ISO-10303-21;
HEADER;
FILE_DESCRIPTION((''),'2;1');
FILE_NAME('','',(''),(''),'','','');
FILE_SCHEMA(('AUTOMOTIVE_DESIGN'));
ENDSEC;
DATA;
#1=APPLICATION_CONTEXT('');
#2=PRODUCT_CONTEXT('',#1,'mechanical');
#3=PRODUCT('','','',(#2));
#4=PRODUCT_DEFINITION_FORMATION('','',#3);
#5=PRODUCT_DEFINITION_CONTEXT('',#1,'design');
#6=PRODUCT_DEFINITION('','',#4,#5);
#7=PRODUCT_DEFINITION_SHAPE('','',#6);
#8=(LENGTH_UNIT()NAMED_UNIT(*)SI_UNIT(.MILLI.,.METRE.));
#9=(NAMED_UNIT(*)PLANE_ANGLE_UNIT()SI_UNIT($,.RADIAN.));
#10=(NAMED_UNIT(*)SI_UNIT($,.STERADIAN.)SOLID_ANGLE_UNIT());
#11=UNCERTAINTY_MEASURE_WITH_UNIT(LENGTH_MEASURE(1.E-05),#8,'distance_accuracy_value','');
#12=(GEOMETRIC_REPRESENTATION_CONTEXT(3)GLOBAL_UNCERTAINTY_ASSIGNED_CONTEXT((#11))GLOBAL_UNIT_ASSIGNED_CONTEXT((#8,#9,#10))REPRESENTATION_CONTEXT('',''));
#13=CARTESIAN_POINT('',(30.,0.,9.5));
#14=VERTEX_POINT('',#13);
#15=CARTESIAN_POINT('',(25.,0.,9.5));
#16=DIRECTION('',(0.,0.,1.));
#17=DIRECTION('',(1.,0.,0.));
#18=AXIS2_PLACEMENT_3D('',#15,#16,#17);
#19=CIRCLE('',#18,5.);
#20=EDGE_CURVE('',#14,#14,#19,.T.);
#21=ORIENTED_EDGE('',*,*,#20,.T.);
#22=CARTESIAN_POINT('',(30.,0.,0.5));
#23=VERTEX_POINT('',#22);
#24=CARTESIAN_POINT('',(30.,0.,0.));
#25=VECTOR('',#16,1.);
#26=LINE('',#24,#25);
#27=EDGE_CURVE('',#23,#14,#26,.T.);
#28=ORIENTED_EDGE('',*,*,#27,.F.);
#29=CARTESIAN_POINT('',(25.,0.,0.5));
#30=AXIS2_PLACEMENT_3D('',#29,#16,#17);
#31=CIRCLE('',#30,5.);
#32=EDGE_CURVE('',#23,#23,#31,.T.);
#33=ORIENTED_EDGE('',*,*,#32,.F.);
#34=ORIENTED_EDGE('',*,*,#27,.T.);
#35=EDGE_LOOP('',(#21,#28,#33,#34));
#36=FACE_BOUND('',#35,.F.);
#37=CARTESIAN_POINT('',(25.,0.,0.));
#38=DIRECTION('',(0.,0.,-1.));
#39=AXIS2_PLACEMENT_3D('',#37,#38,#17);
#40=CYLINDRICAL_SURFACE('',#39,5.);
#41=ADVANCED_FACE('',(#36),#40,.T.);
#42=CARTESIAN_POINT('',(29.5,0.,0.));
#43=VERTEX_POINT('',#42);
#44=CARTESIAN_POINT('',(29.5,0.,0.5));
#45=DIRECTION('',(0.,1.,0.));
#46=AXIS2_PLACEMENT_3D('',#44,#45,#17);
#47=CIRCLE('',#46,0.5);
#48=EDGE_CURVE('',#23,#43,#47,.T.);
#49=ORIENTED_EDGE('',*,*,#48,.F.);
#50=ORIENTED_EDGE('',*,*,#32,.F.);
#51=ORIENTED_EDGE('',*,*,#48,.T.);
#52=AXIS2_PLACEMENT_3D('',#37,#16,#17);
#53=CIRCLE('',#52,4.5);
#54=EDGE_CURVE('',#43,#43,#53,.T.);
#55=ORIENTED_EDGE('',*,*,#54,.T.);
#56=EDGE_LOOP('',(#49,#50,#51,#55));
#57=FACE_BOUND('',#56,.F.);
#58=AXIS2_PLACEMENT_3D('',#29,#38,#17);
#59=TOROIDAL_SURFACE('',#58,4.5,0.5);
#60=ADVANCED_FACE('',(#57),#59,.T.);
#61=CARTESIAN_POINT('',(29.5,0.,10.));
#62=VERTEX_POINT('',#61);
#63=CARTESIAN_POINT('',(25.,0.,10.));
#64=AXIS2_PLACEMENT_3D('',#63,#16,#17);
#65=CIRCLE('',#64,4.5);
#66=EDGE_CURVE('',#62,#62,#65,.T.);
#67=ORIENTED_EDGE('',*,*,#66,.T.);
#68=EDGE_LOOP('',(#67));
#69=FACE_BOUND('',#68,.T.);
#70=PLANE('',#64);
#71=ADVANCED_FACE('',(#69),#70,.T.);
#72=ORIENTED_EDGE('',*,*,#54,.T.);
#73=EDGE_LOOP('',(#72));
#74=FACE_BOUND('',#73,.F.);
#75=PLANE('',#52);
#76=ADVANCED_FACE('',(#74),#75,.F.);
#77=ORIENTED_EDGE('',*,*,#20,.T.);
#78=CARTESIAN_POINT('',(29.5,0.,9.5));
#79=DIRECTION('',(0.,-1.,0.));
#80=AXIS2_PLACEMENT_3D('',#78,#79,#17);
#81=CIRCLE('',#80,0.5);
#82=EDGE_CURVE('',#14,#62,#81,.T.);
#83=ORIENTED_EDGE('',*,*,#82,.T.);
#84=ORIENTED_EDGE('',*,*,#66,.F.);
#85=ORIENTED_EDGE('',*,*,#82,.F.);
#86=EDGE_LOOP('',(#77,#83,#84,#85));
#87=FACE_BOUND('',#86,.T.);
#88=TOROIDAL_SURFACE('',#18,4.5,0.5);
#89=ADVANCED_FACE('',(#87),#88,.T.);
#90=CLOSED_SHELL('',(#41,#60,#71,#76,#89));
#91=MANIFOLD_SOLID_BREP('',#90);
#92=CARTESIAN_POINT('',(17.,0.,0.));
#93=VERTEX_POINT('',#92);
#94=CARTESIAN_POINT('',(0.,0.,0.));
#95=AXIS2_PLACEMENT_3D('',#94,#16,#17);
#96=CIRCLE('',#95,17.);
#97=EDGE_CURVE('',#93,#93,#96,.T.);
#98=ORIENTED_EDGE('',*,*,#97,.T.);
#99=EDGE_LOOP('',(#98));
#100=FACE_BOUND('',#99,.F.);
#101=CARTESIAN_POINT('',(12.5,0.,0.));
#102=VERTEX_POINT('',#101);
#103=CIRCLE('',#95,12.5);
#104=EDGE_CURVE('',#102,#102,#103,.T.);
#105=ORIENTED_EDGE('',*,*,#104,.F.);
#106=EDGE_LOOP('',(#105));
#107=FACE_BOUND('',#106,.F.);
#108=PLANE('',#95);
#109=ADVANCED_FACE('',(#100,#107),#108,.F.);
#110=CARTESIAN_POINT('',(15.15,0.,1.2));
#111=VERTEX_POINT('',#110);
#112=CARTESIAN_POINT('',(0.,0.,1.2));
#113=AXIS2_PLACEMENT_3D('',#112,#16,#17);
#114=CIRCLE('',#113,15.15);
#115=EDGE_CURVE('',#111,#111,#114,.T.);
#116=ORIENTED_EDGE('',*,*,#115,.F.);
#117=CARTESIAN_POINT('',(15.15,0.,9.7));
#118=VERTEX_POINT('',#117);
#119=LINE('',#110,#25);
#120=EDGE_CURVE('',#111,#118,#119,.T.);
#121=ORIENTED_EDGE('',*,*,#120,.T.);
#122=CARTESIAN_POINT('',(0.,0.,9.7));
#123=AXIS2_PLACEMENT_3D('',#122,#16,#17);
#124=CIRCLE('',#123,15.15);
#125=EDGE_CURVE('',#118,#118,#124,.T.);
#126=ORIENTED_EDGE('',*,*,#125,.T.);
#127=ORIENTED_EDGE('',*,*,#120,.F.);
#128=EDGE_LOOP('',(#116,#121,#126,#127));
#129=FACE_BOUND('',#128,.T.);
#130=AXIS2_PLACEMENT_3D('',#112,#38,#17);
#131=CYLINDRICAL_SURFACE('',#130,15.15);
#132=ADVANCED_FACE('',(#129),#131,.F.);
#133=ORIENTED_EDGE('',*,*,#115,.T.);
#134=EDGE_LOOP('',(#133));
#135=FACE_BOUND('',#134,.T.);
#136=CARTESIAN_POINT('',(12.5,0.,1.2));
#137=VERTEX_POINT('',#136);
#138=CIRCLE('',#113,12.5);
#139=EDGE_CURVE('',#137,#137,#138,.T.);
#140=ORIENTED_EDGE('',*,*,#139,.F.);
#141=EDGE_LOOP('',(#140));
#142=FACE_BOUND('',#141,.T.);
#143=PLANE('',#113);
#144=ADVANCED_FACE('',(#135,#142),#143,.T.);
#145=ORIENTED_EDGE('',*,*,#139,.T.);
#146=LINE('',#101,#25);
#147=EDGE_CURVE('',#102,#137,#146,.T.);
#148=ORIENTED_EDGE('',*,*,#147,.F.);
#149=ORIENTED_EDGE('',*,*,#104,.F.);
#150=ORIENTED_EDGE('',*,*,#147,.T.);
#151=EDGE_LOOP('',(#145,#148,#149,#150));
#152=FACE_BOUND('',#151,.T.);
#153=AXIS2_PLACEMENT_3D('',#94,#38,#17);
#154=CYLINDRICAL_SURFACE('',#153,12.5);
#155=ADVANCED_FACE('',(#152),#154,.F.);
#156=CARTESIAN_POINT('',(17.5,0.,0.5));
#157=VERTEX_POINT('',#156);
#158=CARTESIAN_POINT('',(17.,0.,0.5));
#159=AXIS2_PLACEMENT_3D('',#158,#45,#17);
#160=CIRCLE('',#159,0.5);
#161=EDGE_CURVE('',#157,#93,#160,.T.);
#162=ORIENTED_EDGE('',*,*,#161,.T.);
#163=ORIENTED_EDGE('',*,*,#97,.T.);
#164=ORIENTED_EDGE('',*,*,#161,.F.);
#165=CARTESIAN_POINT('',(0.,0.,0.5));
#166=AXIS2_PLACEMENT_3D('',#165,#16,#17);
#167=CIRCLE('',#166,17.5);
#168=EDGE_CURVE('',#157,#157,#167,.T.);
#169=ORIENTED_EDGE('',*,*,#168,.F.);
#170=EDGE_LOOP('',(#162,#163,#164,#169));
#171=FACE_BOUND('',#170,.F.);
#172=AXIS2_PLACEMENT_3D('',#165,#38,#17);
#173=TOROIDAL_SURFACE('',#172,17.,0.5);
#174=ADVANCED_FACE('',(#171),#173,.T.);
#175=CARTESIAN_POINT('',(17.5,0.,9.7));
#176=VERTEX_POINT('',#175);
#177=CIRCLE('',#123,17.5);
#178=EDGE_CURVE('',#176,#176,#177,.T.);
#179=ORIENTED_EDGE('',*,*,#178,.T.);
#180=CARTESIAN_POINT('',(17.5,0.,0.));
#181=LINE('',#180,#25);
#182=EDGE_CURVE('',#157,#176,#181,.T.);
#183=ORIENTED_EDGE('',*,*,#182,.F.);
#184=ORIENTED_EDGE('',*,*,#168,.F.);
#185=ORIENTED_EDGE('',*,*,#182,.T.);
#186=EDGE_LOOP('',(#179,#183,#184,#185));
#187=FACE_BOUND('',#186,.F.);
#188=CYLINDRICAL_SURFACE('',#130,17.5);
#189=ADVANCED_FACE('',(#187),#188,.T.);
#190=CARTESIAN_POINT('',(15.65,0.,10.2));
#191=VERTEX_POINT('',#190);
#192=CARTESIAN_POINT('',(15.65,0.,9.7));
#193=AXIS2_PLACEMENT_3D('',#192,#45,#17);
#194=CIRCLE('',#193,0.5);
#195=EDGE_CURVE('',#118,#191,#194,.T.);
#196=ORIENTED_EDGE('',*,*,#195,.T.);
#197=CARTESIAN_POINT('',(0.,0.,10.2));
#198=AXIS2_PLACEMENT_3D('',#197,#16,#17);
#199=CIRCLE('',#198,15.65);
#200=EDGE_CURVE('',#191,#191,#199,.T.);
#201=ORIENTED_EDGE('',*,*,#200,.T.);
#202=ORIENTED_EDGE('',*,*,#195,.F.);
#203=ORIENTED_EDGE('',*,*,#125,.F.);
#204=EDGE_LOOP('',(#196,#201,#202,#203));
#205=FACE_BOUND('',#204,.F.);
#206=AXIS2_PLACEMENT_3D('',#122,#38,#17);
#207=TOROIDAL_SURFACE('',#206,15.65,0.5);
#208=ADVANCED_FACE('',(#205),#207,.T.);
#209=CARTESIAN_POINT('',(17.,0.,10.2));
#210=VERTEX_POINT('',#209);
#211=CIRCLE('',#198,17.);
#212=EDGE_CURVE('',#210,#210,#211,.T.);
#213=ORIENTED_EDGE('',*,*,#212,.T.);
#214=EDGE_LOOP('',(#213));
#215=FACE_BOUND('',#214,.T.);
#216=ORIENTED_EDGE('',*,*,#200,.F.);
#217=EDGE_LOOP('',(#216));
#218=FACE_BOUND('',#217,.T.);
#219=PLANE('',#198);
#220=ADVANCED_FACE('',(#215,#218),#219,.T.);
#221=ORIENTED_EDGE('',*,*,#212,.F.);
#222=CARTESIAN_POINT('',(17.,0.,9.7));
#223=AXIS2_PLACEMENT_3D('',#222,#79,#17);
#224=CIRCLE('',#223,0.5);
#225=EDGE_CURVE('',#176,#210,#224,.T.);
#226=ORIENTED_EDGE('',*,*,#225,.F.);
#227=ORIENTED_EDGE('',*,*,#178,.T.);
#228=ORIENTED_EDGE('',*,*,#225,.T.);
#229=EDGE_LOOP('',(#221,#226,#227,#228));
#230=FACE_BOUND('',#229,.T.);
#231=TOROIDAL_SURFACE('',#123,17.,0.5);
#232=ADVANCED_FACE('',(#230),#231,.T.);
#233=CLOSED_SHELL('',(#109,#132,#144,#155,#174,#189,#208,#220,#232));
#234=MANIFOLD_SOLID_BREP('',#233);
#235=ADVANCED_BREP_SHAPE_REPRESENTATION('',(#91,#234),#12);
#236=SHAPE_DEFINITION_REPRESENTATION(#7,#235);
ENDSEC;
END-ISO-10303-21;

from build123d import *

# Parameters (mm, degrees)
F0_R     = 17.5
F0_R_2   = 12.5
F1_DEPTH = 1.2
F2_R     = 17.5
F2_R_2   = 15.15
F3_DEPTH = 9
F4_R     = 0.5
F5_R     = 5
F6_DEPTH = 10
F7_R     = 0.5


with BuildPart() as f1:
    # F0 (on Top) → F1 (new body)
    with BuildSketch(Plane.XY):
        Circle(F0_R)
        Circle(F0_R_2, mode=Mode.SUBTRACT)
    extrude(amount=F1_DEPTH)

    # F2 (on face) → F3 (join)
    with BuildSketch(Plane.XY.offset(1.2)):
        Circle(F2_R)
        Circle(F2_R_2, mode=Mode.SUBTRACT)
    extrude(amount=F3_DEPTH)

    # F4
    f4_edges = [f1.edges().sort_by_distance(p)[0] for p in [
        (-15.15, 0, 10.2),
        (-17.5, 0, 10.2),
        (-17.5, 0, 0),
    ]]
    fillet(f4_edges, radius=F4_R)


with BuildPart() as f6:
    # F5 (on Top) → F6 (new body)
    with BuildSketch(Plane.XY):
        with Locations((25, 0)):
            Circle(F5_R)
    extrude(amount=F6_DEPTH)

    # F7
    f7_edges = [f6.edges().sort_by_distance(p)[0] for p in [
        (30, 0, 5),
        (20, 0, 0),
        (20, 0, 10),
    ]]
    fillet(f7_edges, radius=F7_R)


solid = Compound([f1.part, f6.part])
